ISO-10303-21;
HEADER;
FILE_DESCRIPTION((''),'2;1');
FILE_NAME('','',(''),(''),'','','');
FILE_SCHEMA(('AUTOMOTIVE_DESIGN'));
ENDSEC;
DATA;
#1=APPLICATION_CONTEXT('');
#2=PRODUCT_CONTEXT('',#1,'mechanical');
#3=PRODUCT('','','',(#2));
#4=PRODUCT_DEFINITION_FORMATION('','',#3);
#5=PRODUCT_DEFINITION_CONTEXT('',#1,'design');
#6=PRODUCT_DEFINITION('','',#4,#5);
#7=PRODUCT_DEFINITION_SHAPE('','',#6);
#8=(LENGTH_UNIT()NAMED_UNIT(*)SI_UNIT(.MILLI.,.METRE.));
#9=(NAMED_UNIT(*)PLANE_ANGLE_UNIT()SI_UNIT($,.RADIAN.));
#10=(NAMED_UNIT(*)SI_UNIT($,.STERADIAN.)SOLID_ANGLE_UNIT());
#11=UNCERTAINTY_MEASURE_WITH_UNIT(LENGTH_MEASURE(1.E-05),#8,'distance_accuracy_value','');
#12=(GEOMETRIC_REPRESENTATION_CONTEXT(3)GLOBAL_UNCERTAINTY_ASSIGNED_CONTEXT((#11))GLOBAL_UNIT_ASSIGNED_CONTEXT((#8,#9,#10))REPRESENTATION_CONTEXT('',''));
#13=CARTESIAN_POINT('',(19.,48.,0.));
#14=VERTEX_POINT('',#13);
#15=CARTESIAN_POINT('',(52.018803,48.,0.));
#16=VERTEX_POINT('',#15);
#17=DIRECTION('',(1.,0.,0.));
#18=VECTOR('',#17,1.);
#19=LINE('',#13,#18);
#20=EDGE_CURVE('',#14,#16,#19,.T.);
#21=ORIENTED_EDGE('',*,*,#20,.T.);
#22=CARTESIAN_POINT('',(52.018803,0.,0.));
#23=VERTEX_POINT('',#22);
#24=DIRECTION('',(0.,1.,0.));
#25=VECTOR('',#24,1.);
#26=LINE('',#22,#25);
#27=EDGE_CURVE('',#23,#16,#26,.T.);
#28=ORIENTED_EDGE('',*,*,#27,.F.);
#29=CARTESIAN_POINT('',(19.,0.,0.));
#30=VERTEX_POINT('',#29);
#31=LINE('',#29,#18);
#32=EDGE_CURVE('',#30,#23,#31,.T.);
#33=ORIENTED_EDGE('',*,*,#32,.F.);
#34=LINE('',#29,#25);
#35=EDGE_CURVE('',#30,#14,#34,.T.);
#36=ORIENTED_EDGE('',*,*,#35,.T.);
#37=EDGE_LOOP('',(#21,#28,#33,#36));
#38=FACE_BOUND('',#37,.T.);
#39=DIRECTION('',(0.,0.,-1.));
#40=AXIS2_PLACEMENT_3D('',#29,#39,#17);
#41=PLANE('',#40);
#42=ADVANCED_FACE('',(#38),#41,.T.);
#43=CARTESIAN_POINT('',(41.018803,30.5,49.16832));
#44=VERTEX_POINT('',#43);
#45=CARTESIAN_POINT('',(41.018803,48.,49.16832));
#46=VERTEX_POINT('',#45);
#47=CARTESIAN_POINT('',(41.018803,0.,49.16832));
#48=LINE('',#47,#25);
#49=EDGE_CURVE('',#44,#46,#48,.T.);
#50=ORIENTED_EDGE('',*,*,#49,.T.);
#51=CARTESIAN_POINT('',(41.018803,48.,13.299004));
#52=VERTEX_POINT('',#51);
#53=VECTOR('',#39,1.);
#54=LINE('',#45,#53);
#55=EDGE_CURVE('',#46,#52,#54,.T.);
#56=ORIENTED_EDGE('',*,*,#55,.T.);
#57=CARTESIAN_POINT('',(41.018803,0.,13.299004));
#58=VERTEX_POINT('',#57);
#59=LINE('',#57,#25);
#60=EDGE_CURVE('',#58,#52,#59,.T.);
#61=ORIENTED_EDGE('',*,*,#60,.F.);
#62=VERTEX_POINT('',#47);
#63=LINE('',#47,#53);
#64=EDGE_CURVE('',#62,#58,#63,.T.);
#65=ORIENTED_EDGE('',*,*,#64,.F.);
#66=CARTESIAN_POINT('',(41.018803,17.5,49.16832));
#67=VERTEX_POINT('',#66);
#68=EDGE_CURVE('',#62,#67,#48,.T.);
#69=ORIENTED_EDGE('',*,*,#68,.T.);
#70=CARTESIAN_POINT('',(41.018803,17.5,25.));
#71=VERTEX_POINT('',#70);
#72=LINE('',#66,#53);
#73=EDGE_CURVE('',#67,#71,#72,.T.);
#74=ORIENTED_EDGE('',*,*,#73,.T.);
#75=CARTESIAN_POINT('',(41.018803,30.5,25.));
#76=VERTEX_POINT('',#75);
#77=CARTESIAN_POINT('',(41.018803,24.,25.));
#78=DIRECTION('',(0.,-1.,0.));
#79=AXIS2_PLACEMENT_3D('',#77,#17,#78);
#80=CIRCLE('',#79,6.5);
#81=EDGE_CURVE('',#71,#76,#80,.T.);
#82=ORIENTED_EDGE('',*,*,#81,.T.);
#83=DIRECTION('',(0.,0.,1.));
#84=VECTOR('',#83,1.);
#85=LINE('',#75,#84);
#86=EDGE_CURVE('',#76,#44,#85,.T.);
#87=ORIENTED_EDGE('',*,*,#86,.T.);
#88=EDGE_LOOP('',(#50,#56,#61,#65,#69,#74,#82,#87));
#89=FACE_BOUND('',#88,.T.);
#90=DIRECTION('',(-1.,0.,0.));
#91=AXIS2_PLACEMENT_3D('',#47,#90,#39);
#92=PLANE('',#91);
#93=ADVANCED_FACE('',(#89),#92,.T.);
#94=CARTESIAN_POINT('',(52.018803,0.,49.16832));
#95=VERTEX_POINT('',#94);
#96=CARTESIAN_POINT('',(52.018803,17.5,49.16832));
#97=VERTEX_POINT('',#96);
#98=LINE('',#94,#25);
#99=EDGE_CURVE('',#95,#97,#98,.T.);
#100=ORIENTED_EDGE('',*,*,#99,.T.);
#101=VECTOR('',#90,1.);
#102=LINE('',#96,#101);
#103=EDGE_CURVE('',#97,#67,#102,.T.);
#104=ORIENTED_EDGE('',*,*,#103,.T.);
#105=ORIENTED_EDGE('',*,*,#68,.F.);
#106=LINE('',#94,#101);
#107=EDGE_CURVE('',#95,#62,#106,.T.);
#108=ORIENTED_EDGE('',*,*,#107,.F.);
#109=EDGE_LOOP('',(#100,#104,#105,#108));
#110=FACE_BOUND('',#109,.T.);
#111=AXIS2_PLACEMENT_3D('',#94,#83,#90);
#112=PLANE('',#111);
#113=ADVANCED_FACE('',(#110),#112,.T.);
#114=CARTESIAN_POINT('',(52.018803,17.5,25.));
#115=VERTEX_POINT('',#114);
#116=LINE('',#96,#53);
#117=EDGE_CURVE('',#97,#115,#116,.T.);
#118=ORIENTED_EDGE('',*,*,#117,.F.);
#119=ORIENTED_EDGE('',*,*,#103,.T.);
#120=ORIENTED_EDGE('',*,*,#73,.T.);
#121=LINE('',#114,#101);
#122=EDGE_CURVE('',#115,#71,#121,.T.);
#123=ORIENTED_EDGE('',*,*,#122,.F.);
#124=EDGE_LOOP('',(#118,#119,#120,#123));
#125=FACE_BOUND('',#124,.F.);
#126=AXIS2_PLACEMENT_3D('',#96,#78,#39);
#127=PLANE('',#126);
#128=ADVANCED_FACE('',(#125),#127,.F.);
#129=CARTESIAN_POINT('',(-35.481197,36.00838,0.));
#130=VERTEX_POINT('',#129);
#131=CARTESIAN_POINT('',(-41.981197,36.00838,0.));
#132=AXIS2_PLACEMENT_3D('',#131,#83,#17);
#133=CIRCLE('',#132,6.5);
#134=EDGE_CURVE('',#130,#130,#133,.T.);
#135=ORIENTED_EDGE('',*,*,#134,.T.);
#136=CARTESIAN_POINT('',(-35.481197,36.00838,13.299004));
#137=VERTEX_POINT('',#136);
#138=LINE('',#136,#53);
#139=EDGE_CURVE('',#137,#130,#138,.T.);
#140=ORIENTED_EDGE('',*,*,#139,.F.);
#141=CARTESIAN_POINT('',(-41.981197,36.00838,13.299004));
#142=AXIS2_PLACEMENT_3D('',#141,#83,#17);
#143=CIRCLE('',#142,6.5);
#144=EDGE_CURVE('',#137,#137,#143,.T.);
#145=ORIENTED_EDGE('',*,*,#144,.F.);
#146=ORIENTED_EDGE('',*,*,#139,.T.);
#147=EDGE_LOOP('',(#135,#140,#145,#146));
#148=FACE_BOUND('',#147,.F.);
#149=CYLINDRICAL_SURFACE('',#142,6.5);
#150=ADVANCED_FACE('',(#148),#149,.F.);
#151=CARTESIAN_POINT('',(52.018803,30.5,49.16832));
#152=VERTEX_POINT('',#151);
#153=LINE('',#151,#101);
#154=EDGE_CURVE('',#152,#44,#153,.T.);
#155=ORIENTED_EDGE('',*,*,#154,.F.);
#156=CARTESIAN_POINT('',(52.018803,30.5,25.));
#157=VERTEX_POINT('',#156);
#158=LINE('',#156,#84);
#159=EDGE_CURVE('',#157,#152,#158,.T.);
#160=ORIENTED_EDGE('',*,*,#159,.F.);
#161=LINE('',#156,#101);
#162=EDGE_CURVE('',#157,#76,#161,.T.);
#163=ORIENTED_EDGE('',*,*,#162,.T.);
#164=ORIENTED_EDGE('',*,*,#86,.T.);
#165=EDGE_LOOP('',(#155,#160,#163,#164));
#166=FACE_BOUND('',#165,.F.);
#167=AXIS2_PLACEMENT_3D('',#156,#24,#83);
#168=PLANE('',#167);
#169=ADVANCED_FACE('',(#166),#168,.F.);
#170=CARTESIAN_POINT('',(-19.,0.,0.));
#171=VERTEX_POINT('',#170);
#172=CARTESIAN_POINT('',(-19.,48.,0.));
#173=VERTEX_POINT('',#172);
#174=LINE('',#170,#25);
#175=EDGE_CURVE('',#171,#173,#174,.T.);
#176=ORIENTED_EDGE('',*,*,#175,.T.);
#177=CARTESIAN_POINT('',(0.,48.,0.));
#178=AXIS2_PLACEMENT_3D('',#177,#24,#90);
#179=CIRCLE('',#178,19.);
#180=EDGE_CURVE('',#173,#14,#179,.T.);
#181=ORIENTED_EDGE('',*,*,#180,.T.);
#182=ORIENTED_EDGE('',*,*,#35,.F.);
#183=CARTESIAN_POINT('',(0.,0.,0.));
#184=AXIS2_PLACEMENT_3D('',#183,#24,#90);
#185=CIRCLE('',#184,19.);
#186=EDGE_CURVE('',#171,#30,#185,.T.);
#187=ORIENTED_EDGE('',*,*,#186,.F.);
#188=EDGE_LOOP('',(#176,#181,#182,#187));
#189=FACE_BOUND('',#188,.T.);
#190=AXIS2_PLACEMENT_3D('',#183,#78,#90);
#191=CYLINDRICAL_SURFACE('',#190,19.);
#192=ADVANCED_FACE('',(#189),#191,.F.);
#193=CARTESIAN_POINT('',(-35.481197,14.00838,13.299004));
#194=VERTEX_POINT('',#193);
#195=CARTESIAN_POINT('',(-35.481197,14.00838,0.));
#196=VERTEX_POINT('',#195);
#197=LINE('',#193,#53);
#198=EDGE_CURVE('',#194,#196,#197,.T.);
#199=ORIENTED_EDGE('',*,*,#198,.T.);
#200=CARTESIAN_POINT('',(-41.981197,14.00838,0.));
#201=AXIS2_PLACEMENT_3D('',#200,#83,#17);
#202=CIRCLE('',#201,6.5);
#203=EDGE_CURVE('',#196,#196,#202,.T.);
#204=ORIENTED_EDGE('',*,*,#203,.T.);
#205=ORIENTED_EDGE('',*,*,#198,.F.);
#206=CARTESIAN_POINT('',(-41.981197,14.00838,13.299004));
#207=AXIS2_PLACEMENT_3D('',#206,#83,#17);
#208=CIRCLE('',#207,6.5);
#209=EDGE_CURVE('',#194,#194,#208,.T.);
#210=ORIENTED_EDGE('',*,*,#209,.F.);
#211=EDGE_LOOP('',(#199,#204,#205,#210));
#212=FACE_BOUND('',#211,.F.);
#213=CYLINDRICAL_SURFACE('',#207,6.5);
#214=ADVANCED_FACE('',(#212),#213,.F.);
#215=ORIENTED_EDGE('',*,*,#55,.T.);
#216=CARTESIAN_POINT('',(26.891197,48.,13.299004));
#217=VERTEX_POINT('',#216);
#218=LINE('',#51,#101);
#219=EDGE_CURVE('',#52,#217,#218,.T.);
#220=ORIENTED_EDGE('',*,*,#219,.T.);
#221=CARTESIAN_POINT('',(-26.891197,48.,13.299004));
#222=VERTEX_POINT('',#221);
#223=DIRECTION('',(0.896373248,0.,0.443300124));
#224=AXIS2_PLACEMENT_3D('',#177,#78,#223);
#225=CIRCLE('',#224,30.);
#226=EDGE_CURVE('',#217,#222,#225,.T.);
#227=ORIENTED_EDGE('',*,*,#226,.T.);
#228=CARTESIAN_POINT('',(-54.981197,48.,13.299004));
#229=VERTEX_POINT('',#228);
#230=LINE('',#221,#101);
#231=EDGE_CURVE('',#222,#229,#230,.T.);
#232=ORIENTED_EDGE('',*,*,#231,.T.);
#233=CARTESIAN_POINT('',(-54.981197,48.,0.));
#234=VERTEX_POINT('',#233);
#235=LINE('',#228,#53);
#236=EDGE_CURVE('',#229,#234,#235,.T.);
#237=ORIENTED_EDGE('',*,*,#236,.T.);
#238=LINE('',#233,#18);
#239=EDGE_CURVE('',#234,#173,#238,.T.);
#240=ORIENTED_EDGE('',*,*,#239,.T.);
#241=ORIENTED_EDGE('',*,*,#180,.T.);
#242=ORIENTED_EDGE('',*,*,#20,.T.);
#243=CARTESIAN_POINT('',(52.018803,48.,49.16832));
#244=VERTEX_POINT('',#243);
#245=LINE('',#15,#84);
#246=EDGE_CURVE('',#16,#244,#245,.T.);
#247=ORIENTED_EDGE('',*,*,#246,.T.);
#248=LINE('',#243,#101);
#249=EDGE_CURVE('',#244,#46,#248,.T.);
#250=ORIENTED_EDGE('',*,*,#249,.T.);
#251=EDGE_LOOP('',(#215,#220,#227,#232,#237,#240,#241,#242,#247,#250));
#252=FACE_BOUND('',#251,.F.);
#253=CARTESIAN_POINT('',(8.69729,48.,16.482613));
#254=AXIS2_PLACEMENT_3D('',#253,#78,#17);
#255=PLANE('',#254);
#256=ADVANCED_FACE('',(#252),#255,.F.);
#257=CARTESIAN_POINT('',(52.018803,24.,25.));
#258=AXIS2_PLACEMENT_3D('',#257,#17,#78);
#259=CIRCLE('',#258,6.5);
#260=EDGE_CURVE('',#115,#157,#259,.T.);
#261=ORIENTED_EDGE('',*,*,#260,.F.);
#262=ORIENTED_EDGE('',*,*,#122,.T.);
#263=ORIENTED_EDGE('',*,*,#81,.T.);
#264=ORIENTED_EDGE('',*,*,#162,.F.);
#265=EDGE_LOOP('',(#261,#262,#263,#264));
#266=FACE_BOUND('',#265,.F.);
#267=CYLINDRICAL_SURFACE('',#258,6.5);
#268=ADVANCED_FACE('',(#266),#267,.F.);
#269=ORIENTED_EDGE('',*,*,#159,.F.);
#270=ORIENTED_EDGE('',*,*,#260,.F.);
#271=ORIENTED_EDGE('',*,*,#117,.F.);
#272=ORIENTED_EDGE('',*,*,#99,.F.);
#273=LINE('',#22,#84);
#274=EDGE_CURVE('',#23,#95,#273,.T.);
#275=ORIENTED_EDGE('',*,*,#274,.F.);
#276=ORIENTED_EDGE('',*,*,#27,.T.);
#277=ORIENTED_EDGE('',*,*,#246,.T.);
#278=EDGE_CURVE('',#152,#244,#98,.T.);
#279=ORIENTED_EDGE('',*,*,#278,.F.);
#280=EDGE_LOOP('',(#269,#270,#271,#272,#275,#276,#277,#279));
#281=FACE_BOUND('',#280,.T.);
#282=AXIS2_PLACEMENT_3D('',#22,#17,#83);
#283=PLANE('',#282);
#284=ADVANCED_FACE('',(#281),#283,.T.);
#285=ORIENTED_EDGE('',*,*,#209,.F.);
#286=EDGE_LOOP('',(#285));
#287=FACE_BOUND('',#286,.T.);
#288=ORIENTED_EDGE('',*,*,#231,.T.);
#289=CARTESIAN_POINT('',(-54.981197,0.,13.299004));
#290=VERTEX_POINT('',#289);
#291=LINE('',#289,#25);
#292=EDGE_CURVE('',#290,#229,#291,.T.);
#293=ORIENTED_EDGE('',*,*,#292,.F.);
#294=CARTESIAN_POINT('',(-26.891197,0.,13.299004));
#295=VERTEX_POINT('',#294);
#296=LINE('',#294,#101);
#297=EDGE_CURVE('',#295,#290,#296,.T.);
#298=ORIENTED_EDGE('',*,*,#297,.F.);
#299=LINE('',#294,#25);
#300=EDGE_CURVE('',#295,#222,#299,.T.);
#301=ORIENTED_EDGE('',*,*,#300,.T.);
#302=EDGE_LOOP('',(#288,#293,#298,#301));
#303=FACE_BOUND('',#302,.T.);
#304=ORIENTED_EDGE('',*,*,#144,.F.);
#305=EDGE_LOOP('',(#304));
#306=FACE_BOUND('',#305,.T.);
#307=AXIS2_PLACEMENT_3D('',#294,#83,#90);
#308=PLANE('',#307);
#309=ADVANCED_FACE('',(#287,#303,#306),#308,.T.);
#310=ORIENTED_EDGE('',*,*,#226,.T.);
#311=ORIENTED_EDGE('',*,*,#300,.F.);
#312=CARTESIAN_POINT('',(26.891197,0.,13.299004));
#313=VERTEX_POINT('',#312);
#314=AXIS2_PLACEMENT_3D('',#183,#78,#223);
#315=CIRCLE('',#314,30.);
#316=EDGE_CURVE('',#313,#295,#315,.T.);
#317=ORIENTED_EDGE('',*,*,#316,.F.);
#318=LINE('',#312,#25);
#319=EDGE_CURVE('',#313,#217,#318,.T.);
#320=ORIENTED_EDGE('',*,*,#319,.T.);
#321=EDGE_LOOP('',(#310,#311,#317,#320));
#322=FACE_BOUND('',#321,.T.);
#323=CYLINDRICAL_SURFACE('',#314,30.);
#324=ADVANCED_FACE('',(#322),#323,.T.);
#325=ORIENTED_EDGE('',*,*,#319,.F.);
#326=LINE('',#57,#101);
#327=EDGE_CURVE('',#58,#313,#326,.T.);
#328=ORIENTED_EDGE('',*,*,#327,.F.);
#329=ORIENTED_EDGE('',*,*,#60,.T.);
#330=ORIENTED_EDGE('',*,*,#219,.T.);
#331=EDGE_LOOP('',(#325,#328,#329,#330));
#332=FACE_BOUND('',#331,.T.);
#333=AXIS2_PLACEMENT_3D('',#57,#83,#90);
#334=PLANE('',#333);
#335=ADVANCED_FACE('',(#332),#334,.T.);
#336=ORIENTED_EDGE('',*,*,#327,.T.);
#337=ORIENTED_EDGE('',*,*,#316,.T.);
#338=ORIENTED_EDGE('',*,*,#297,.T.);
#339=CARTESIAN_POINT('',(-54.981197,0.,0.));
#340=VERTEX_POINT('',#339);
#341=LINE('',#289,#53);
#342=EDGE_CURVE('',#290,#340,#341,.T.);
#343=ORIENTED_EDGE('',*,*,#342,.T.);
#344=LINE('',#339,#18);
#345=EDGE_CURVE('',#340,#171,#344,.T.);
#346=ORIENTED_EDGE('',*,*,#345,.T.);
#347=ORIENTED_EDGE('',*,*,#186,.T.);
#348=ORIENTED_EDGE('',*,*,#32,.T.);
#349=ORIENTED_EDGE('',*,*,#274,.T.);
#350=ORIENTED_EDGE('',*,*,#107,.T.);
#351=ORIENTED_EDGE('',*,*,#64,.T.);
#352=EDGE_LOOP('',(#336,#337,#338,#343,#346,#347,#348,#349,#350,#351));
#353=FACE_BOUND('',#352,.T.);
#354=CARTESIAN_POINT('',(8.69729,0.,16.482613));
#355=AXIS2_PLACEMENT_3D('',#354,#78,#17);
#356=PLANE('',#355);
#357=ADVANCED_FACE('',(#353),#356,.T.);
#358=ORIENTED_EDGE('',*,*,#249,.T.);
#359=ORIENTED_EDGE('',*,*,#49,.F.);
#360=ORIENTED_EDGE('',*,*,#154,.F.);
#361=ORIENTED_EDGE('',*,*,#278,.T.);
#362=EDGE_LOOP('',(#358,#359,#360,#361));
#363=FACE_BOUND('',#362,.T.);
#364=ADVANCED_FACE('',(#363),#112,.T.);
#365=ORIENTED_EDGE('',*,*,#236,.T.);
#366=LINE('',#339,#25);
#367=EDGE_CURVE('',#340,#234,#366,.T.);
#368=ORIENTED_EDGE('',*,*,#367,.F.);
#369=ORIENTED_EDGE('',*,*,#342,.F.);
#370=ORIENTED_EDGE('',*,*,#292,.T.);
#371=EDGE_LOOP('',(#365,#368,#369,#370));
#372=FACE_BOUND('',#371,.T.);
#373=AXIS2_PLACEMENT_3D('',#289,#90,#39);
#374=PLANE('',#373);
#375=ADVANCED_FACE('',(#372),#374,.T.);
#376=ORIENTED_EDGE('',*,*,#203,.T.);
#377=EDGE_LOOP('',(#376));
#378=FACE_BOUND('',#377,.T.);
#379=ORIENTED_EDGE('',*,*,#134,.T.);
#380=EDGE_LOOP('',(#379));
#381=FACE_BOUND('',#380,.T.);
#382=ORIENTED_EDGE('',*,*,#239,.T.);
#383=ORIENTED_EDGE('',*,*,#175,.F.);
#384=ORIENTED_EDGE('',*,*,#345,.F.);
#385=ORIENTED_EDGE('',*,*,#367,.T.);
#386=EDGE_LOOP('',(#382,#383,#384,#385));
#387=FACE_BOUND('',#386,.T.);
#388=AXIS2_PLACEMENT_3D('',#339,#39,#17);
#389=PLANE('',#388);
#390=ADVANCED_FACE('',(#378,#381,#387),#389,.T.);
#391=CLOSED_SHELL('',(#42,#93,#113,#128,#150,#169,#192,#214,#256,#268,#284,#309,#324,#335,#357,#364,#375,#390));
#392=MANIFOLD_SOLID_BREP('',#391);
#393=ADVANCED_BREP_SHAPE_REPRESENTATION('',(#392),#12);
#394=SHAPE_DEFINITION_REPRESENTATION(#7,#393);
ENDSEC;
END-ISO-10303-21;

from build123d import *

# Parameters (mm, degrees)
F1_DEPTH = 48
F3_DEPTH = 11
F4_R     = 6.5
F5_DEPTH = 13.300004


with BuildPart() as f1:
    # F0 (on Front) → F1 (new body)
    with BuildSketch(Plane.XZ):
        with BuildLine():
            Line((-54.981197, 0), (-19, 0))
            ThreePointArc((-19, 0), (0, 19), (19, 0))
            Line((19, 0), (52.018803, 0))
            Line((52.018803, 0), (52.018803, 49.16832))
            Line((52.018803, 49.16832), (41.018803, 49.16832))
            Line((41.018803, 49.16832), (41.018803, 13.299004))
            Line((41.018803, 13.299004), (26.891197, 13.299004))
            ThreePointArc((26.891197, 13.299004), (0, 30), (-26.891197, 13.299004))
            Line((-26.891197, 13.299004), (-54.981197, 13.299004))
            Line((-54.981197, 13.299004), (-54.981197, 0))
        make_face()
    extrude(amount=-F1_DEPTH)

    # F2 (on face) → F3 (cut)
    with BuildSketch(Plane.YZ.offset(52.018803)):
        with BuildLine():
            Line((30.5, 49.16832), (17.5, 49.16832))
            Line((17.5, 49.16832), (17.5, 25))
            ThreePointArc((17.5, 25), (24, 18.5), (30.5, 25))
            Line((30.5, 25), (30.5, 49.16832))
        make_face()
    extrude(amount=-F3_DEPTH, mode=Mode.SUBTRACT)

    # F4 (on face) → F5 (cut, through all)
    with BuildSketch(Plane.XY.offset(13.299004)):
        with Locations((-41.981197, 36.00838)):
            Circle(F4_R)
        with Locations((-41.981197, 14.00838)):
            Circle(F4_R)
    extrude(amount=-F5_DEPTH, mode=Mode.SUBTRACT)


solid = f1.part
